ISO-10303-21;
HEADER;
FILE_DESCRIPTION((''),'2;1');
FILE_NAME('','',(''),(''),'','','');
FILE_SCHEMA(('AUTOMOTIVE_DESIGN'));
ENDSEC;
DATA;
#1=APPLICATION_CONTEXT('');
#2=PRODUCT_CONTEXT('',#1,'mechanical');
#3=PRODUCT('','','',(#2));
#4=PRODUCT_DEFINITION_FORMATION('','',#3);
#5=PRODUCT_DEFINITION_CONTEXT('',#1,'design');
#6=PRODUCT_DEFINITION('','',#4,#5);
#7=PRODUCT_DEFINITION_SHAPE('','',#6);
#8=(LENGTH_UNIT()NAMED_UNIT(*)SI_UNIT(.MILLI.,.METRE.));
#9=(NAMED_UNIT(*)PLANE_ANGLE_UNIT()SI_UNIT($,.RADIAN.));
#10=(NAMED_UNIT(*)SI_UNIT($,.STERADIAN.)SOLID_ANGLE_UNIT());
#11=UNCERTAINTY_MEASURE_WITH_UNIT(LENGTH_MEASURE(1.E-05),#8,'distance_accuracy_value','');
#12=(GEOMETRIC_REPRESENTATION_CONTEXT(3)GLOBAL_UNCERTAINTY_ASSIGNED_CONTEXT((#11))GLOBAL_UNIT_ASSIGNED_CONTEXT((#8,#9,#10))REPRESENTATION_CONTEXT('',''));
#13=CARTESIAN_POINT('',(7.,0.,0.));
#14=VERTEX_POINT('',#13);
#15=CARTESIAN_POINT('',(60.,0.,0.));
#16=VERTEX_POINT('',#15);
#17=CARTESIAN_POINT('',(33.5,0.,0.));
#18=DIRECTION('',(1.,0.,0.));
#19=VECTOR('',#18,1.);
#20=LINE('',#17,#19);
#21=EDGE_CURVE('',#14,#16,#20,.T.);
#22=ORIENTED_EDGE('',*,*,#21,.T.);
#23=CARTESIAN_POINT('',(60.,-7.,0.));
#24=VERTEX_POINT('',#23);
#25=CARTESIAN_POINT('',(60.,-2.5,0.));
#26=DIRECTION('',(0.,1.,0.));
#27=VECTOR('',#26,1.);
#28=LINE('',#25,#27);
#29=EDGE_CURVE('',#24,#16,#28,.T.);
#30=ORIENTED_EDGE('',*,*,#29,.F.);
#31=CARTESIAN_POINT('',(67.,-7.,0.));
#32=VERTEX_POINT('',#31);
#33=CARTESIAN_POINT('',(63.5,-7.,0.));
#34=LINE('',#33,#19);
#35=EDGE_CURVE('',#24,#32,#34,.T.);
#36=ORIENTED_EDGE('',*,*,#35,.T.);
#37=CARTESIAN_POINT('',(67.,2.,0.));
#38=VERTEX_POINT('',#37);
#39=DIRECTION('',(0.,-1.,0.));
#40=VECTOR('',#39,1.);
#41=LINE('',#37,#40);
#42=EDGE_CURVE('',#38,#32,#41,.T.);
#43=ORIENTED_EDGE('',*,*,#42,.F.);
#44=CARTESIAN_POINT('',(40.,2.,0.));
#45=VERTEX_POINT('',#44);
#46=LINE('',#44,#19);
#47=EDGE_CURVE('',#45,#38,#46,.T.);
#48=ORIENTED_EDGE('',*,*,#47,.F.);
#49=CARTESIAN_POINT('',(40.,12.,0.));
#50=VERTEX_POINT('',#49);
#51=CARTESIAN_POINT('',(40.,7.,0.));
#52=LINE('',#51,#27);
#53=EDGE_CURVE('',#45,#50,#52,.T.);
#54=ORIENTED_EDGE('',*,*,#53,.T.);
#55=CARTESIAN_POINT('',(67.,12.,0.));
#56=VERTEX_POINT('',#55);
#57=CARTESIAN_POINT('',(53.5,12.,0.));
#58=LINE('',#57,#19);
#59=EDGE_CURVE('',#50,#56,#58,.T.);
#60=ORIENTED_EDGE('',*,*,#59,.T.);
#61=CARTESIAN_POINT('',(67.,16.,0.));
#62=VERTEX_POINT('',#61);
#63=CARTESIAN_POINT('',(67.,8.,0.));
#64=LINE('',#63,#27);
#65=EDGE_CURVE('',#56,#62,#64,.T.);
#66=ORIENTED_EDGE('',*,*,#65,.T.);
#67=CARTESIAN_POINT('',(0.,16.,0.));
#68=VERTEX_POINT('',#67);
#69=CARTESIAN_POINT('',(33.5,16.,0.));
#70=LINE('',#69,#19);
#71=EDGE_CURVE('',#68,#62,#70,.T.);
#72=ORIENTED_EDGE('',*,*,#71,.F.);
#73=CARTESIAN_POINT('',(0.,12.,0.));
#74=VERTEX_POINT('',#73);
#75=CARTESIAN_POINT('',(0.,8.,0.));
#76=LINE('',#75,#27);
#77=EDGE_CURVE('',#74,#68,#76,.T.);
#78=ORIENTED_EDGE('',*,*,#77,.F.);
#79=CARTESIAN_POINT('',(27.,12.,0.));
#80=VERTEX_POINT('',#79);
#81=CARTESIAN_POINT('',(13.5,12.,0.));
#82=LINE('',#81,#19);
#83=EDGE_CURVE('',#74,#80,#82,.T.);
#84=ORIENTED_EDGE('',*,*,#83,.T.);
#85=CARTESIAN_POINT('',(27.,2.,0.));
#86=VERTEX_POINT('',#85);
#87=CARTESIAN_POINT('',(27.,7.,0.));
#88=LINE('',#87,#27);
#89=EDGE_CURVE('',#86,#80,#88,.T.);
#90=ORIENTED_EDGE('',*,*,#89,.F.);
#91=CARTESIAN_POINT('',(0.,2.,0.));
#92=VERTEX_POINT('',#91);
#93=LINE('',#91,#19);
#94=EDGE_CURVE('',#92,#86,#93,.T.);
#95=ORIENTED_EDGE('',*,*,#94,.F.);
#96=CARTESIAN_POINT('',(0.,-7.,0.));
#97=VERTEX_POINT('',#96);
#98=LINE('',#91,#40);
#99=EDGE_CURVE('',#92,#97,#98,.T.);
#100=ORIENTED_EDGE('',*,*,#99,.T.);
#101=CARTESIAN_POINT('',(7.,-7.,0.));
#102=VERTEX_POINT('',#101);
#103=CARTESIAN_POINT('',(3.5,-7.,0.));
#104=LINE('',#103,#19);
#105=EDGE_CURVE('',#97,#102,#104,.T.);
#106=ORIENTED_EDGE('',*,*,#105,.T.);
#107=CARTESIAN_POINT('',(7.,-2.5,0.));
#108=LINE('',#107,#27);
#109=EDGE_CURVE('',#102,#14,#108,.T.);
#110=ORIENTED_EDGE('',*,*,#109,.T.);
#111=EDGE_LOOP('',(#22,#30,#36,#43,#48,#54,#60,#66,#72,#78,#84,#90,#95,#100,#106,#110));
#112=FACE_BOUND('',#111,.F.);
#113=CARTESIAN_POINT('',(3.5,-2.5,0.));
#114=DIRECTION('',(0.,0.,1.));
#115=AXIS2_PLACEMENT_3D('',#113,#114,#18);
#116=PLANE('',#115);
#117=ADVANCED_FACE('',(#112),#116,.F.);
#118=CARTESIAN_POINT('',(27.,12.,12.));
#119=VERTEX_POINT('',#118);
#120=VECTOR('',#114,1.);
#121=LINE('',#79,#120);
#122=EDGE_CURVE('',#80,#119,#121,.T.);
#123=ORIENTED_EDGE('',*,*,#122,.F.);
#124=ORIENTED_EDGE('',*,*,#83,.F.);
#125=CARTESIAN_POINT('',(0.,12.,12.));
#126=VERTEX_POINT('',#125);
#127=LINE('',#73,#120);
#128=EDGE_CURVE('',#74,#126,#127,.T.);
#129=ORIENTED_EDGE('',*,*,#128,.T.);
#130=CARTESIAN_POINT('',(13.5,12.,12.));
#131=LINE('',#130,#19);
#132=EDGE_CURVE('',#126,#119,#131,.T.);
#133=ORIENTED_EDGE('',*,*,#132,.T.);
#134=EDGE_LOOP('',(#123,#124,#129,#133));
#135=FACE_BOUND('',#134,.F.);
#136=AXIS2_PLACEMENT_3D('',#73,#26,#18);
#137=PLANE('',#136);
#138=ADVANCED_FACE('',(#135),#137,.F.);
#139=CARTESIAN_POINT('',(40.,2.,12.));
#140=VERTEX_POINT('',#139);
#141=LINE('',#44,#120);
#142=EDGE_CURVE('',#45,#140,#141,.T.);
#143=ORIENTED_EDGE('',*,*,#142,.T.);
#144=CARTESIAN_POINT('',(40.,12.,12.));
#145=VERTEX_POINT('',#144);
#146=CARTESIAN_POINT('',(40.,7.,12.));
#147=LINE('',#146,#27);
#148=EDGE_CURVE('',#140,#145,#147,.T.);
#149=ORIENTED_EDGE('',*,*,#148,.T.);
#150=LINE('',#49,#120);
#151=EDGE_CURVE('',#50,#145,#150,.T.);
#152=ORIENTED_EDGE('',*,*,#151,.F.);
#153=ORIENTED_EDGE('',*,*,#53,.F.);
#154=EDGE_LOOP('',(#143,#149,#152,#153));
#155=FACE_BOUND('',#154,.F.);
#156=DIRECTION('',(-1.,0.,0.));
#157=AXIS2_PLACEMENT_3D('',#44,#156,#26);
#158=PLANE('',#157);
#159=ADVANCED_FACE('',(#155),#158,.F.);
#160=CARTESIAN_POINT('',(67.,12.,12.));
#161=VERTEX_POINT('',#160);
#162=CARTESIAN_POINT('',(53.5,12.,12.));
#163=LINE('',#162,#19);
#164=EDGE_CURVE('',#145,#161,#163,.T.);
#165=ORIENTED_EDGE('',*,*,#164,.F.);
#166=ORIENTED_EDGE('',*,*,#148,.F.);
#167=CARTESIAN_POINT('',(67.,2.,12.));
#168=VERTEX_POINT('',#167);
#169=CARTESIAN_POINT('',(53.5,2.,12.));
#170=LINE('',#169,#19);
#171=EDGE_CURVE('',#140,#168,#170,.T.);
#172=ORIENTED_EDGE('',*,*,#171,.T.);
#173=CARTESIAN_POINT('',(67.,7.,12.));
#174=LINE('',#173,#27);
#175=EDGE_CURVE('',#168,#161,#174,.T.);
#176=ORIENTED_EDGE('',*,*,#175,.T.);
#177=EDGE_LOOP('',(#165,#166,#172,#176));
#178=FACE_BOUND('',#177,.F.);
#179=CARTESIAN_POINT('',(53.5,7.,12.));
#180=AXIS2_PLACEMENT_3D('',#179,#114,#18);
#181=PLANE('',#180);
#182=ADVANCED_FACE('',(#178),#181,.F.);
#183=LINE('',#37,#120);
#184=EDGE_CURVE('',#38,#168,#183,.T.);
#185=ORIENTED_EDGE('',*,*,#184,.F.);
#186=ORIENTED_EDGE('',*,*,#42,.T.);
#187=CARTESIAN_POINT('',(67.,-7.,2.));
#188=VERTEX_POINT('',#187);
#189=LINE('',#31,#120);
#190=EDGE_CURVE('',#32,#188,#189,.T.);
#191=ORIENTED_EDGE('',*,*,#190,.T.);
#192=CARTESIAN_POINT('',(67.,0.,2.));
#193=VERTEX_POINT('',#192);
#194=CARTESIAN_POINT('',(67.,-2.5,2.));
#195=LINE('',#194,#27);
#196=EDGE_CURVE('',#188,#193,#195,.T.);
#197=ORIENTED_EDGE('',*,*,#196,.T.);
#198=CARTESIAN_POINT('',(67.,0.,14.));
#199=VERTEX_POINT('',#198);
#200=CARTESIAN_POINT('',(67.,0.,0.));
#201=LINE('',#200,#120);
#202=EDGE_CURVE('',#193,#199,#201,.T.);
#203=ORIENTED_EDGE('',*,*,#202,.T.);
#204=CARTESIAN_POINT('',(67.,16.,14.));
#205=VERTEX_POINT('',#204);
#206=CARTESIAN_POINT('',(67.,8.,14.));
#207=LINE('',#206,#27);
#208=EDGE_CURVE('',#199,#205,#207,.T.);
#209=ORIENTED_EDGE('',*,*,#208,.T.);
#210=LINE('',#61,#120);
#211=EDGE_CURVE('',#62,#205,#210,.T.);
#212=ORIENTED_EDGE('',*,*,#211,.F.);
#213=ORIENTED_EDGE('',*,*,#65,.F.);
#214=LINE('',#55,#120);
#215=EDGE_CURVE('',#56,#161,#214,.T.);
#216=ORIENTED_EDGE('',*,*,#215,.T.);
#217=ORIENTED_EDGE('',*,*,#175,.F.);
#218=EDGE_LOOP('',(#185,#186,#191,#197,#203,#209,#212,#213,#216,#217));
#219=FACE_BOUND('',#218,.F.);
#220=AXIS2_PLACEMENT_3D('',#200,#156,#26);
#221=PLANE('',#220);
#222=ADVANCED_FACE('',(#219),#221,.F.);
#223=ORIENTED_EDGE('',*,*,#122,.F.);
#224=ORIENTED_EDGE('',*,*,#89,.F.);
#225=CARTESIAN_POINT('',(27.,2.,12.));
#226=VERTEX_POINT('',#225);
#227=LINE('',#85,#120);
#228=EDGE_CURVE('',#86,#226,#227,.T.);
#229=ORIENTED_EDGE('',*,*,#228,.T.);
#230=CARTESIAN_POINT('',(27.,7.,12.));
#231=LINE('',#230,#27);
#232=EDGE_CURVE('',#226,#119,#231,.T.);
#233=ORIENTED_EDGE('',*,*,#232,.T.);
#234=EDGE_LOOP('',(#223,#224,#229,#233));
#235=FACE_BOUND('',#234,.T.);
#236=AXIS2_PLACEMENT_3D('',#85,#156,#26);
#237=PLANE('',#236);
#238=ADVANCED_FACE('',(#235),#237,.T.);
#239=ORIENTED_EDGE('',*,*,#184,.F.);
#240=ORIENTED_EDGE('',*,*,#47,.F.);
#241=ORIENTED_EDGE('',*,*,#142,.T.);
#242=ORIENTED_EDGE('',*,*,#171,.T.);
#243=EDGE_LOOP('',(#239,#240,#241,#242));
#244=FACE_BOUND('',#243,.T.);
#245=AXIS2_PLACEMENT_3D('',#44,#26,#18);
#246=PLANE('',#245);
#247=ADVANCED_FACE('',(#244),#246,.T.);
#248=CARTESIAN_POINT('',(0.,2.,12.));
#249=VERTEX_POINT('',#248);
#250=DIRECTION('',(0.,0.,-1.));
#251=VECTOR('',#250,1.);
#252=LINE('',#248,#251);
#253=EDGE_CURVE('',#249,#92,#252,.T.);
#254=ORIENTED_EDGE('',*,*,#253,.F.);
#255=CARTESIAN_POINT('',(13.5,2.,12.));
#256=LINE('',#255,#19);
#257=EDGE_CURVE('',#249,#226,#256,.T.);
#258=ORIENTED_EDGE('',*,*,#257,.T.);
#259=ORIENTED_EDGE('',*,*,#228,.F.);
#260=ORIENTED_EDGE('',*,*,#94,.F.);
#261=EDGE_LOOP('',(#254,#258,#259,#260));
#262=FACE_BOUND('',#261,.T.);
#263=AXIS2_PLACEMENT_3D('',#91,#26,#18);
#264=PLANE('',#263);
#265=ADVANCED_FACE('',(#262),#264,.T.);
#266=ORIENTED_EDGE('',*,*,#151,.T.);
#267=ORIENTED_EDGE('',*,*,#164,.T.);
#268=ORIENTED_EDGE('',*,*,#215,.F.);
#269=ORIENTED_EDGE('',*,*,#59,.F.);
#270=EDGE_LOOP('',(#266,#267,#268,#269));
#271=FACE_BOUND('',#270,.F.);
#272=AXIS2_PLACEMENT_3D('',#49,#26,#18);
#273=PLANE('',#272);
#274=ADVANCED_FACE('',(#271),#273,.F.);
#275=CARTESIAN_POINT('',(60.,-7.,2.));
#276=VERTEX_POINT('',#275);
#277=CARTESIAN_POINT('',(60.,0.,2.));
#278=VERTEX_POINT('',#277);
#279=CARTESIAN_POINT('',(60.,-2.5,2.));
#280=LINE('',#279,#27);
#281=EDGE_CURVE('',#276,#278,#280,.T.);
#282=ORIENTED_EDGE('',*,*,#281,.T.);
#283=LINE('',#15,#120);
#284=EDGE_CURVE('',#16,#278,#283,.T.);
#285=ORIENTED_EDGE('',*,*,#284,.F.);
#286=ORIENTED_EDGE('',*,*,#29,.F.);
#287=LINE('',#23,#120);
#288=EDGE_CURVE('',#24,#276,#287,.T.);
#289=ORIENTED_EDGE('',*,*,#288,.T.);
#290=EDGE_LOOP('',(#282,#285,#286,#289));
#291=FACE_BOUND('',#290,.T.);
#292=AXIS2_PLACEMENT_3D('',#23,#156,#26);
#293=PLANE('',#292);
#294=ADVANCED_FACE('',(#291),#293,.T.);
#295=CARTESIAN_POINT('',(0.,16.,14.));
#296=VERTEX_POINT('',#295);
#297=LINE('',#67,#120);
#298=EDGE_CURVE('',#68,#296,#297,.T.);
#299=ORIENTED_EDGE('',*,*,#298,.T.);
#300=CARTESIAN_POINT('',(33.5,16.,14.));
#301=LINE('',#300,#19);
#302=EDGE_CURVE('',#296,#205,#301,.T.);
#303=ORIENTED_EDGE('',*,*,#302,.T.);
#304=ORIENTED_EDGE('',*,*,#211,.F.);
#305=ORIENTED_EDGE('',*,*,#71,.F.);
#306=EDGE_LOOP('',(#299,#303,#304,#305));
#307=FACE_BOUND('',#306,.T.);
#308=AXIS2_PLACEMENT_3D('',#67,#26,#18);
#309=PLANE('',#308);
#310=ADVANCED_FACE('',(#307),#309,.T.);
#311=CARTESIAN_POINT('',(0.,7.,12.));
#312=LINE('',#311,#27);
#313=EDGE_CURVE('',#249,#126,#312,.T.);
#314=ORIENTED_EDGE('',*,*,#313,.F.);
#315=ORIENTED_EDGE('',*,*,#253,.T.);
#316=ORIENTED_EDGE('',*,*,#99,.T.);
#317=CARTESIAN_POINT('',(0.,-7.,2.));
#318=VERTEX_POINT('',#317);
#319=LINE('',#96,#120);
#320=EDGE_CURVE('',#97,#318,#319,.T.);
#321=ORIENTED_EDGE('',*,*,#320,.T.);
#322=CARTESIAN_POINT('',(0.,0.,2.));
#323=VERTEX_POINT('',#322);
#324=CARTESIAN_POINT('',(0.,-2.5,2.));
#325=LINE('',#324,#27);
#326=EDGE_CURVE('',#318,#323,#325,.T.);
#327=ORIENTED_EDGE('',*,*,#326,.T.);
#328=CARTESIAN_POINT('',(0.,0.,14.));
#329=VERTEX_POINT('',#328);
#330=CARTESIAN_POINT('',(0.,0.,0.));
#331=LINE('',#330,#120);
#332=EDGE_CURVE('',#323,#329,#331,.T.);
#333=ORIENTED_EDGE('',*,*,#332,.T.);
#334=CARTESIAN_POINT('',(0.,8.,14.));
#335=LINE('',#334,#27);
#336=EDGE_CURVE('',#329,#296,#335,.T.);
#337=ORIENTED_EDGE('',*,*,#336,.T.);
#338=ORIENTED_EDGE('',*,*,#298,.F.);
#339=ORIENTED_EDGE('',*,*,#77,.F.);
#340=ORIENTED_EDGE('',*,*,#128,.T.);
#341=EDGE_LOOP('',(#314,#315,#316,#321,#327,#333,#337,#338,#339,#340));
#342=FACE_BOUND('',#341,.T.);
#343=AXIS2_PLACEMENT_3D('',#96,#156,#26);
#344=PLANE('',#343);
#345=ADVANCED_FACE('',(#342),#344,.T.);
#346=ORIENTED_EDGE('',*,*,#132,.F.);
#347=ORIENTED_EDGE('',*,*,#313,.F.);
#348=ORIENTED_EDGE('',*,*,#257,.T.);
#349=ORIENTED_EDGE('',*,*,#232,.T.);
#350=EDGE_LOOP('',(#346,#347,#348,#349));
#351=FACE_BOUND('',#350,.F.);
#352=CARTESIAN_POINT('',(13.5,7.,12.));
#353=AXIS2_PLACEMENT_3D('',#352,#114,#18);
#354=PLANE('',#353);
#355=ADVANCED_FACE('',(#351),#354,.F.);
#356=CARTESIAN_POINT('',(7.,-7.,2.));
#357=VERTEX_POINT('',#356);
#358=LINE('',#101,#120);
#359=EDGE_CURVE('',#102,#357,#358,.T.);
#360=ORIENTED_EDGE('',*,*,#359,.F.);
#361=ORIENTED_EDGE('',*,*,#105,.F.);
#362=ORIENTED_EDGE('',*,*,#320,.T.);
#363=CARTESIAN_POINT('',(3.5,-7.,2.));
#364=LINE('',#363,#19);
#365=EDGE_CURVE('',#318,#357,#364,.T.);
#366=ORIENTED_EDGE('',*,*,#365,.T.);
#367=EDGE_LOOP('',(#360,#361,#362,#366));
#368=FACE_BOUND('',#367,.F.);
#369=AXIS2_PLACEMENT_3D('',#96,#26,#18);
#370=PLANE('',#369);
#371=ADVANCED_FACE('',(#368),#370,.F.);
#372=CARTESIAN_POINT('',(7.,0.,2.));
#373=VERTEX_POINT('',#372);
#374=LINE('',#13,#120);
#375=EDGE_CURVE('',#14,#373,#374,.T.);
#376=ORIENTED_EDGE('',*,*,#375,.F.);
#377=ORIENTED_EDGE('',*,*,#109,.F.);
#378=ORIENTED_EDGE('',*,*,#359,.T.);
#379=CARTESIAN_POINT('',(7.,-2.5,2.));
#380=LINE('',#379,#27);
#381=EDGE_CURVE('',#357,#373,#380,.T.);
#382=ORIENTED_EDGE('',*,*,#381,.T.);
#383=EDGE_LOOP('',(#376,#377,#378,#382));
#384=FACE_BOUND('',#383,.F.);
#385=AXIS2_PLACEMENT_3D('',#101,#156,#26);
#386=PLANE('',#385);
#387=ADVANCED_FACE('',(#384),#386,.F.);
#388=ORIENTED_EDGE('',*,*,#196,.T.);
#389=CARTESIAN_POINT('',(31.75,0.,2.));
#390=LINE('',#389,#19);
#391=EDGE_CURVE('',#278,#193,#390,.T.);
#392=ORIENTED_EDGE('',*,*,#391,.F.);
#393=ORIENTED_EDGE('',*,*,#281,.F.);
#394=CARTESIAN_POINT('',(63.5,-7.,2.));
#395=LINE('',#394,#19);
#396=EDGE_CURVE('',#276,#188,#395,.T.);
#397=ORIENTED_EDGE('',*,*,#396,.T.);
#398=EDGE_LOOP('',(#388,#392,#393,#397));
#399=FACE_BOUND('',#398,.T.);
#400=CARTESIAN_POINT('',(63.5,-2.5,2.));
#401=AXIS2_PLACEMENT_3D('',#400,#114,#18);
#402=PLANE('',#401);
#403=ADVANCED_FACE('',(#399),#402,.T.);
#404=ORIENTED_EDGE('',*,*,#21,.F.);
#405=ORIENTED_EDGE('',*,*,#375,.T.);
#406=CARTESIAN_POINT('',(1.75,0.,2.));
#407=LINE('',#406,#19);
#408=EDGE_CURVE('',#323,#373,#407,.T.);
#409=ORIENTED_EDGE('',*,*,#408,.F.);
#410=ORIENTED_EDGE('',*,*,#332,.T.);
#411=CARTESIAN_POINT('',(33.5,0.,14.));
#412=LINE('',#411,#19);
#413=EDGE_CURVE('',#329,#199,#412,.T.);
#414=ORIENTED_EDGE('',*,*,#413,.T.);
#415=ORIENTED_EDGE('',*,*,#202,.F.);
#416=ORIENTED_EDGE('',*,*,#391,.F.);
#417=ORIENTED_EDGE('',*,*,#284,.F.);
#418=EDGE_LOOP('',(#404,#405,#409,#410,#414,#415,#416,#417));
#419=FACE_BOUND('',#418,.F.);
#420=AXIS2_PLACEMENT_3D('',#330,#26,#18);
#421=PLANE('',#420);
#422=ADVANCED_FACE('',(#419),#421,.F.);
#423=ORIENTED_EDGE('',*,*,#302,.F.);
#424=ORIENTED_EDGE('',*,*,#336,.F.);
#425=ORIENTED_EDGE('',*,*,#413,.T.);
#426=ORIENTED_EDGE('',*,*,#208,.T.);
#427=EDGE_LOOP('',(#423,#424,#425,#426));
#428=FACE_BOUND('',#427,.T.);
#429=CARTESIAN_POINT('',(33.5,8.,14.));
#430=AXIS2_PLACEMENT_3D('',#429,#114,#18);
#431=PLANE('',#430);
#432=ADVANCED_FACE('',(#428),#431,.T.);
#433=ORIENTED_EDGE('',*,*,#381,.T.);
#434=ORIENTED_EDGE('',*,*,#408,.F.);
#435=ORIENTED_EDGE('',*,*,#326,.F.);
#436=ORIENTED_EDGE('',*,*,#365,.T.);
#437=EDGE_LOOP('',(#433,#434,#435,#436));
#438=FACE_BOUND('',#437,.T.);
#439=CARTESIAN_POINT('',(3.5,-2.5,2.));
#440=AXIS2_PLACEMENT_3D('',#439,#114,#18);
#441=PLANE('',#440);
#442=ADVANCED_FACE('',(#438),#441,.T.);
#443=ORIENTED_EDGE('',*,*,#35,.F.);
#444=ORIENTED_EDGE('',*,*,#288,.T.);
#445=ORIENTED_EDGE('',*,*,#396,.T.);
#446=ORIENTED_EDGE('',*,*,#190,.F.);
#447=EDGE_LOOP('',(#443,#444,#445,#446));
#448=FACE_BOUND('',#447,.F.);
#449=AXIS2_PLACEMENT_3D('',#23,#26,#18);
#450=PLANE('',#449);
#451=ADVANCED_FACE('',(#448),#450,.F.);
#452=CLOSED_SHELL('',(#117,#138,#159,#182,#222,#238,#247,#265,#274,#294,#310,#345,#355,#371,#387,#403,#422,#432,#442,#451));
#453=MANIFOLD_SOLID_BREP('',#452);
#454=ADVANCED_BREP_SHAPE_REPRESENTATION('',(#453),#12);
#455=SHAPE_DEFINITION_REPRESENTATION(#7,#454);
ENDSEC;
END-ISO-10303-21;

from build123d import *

# Parameters (mm, degrees)
BOX003_W     = 7
BOX003_H     = 9
BOX003_DEPTH = 2
BOX004_W     = 7
BOX004_H     = 9
BOX004_DEPTH = 2
BOX002_W     = 27
BOX002_H     = 10
BOX002_DEPTH = 12
BOX001_W     = 27
BOX001_H     = 10
BOX001_DEPTH = 12
BOX_W        = 67
BOX_H        = 16
BOX_DEPTH    = 14


with BuildPart() as cubo003:
    # Box003 → Box003 (new body)
    with BuildSketch(Plane(origin=(0, -7, 0), x_dir=(1, 0, 0), z_dir=(0, 0, 1))):
        with Locations((3.5, 4.5)):
            Rectangle(BOX003_W, BOX003_H)
    extrude(amount=BOX003_DEPTH)


with BuildPart() as fusion:
    # Box004 → Box004 (new body)
    with BuildSketch(Plane(origin=(60, -7, 0), x_dir=(1, 0, 0), z_dir=(0, 0, 1))):
        with Locations((3.5, 4.5)):
            Rectangle(BOX004_W, BOX004_H)
    extrude(amount=BOX004_DEPTH)

    # Fusion: union Cubo003
    add(cubo003.part)


with BuildPart() as cubo002:
    # Box002 → Box002 (new body)
    with BuildSketch(Plane(origin=(40, 2, 0), x_dir=(1, 0, 0), z_dir=(0, 0, 1))):
        with Locations((13.5, 5)):
            Rectangle(BOX002_W, BOX002_H)
    extrude(amount=BOX002_DEPTH)


with BuildPart() as cubo001:
    # Box001 → Box001 (new body)
    with BuildSketch(Plane(origin=(0, 2, 0), x_dir=(1, 0, 0), z_dir=(0, 0, 1))):
        with Locations((13.5, 5)):
            Rectangle(BOX001_W, BOX001_H)
    extrude(amount=BOX001_DEPTH)


with BuildPart() as fusion001:
    # Box → Box (new body)
    with BuildSketch(Plane.XY):
        with Locations((33.5, 8)):
            Rectangle(BOX_W, BOX_H)
    extrude(amount=BOX_DEPTH)

    # Cut: cut Cubo001
    add(cubo001.part, mode=Mode.SUBTRACT)

    # Cut001: cut Cubo002
    add(cubo002.part, mode=Mode.SUBTRACT)

    # Fusion001: union Fusion
    add(fusion.part)


solid = fusion001.part
